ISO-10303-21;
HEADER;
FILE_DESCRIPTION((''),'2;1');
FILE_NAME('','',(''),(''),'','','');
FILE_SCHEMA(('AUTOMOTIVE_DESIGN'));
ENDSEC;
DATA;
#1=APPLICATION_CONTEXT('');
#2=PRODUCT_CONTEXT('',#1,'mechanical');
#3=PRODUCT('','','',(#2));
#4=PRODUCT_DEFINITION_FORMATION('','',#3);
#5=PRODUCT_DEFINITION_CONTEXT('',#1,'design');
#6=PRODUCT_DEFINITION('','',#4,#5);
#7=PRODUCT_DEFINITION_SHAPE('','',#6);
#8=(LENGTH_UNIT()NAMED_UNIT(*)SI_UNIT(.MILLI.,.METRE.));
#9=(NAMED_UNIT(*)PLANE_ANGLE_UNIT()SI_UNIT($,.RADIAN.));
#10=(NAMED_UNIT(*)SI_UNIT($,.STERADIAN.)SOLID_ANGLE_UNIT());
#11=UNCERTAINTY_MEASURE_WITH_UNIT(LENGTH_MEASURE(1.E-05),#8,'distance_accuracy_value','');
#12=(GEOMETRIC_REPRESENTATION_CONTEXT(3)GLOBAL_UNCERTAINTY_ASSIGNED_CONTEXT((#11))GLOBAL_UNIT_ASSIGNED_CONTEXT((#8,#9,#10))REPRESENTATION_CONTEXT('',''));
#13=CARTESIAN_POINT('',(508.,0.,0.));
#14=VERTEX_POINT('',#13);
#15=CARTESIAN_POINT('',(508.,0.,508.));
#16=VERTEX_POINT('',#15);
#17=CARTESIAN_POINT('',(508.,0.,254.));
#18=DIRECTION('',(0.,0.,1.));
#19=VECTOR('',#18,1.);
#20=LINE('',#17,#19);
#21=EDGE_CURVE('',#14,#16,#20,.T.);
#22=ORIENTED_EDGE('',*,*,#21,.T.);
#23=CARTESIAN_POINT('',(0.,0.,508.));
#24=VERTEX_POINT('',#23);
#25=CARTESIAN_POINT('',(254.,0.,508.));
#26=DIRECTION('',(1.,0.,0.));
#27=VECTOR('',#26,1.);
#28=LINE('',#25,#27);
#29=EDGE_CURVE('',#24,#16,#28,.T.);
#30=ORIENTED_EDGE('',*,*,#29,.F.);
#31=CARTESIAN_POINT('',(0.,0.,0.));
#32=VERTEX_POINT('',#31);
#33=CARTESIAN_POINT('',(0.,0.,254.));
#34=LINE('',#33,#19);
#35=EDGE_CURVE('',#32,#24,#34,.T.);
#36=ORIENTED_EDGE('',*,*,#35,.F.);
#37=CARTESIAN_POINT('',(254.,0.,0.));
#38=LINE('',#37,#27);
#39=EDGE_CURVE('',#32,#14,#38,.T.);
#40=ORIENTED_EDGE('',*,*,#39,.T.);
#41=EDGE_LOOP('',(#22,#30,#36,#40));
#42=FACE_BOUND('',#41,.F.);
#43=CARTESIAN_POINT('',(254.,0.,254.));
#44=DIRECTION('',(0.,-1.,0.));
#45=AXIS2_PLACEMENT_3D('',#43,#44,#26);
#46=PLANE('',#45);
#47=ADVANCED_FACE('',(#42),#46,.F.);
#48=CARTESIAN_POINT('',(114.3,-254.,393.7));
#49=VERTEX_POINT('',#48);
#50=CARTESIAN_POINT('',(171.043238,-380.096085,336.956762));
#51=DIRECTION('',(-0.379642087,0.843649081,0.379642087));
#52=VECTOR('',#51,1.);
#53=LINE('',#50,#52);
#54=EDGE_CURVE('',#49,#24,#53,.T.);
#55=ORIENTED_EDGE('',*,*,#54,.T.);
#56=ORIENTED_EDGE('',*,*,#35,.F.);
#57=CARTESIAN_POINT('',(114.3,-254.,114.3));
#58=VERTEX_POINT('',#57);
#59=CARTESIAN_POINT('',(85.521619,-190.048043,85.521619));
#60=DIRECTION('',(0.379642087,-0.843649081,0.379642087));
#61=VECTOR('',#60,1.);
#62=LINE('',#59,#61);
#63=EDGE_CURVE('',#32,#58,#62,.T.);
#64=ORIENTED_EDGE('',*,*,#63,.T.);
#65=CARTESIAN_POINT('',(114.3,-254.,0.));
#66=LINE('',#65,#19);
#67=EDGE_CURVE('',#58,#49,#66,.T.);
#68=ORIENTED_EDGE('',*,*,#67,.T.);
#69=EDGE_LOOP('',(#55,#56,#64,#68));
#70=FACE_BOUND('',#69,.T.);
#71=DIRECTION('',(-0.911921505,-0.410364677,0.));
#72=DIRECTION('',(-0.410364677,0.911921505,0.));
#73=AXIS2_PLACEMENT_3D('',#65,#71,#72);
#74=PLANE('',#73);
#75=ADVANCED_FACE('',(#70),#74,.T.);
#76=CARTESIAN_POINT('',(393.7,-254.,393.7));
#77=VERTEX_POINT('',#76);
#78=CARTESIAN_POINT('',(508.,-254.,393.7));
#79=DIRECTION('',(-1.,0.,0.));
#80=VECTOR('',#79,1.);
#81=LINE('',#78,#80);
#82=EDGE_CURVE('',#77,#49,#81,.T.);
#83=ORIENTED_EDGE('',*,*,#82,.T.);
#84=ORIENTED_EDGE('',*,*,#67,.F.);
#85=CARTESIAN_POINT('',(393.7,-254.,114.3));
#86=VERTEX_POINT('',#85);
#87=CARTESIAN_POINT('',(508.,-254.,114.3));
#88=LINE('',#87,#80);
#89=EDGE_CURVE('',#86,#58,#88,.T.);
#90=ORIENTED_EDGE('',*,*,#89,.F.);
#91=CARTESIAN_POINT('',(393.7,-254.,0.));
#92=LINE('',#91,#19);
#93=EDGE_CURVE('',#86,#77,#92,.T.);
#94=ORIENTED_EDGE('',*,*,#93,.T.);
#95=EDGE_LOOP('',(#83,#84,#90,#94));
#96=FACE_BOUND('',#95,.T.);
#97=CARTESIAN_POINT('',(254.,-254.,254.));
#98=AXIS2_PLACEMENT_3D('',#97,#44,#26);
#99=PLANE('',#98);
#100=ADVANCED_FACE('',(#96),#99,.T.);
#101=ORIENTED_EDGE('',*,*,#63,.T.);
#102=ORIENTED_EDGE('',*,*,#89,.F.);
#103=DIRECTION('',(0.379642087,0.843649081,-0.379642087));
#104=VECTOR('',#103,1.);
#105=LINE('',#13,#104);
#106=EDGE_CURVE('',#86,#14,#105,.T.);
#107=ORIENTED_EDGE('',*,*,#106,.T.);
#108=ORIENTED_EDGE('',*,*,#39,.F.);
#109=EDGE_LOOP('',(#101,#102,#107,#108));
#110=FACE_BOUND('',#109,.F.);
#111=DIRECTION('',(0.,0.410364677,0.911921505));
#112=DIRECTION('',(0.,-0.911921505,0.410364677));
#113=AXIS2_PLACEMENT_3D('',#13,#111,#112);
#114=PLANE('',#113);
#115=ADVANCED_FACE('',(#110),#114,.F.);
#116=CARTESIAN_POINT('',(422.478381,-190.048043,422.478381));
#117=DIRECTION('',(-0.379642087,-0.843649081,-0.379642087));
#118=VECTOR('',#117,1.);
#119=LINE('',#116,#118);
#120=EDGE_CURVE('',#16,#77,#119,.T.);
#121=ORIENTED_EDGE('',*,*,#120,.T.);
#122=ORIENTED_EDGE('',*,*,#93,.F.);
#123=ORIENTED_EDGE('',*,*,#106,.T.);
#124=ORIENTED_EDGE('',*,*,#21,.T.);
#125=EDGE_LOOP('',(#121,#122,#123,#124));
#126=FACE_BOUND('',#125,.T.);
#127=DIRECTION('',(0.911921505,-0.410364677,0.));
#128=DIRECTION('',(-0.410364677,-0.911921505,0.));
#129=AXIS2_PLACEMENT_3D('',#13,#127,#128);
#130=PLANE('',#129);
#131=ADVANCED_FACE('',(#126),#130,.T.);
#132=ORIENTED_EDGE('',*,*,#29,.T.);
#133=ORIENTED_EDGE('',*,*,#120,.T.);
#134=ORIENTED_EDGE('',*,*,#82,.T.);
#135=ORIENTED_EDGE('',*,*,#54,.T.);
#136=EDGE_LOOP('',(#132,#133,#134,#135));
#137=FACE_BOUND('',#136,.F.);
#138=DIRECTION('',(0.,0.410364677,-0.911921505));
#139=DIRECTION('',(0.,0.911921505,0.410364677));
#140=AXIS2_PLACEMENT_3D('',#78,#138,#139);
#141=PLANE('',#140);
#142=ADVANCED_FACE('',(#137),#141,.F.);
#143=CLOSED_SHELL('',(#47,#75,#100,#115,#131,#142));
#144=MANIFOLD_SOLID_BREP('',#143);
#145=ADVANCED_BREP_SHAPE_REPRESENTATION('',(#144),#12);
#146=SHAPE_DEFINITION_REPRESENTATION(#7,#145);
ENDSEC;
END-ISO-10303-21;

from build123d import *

# Parameters (mm, degrees)
F0_W     = 508
F0_H     = 508
F1_DEPTH = 254
F3_DEPTH = 508.001
F5_DEPTH = 508


with BuildPart() as f1:
    # F0 (on Front) → F1 (new body)
    with BuildSketch(Plane.XZ):
        with Locations((254, 254)):
            Rectangle(F0_W, F0_H)
    extrude(amount=F1_DEPTH)

    # F2 (on face) → F3 (cut, through all)
    with BuildSketch(Plane.YZ.offset(508)):
        Polygon((-254, 508), (-254, 393.7), (0, 508), align=None)
        Polygon((0, 0), (-254, 114.3), (-254, 0), align=None)
    extrude(amount=-F3_DEPTH, mode=Mode.SUBTRACT)

    # F4 (on Top) → F5 (cut)
    with BuildSketch(Plane.XY):
        Polygon((0, -254), (114.3, -254), (0, 0), align=None)
        Polygon((393.7, -254), (508, -254), (542.023063, -254), (542.023063, 0), (508, 0), align=None)
    extrude(amount=F5_DEPTH, mode=Mode.SUBTRACT)


solid = f1.part
